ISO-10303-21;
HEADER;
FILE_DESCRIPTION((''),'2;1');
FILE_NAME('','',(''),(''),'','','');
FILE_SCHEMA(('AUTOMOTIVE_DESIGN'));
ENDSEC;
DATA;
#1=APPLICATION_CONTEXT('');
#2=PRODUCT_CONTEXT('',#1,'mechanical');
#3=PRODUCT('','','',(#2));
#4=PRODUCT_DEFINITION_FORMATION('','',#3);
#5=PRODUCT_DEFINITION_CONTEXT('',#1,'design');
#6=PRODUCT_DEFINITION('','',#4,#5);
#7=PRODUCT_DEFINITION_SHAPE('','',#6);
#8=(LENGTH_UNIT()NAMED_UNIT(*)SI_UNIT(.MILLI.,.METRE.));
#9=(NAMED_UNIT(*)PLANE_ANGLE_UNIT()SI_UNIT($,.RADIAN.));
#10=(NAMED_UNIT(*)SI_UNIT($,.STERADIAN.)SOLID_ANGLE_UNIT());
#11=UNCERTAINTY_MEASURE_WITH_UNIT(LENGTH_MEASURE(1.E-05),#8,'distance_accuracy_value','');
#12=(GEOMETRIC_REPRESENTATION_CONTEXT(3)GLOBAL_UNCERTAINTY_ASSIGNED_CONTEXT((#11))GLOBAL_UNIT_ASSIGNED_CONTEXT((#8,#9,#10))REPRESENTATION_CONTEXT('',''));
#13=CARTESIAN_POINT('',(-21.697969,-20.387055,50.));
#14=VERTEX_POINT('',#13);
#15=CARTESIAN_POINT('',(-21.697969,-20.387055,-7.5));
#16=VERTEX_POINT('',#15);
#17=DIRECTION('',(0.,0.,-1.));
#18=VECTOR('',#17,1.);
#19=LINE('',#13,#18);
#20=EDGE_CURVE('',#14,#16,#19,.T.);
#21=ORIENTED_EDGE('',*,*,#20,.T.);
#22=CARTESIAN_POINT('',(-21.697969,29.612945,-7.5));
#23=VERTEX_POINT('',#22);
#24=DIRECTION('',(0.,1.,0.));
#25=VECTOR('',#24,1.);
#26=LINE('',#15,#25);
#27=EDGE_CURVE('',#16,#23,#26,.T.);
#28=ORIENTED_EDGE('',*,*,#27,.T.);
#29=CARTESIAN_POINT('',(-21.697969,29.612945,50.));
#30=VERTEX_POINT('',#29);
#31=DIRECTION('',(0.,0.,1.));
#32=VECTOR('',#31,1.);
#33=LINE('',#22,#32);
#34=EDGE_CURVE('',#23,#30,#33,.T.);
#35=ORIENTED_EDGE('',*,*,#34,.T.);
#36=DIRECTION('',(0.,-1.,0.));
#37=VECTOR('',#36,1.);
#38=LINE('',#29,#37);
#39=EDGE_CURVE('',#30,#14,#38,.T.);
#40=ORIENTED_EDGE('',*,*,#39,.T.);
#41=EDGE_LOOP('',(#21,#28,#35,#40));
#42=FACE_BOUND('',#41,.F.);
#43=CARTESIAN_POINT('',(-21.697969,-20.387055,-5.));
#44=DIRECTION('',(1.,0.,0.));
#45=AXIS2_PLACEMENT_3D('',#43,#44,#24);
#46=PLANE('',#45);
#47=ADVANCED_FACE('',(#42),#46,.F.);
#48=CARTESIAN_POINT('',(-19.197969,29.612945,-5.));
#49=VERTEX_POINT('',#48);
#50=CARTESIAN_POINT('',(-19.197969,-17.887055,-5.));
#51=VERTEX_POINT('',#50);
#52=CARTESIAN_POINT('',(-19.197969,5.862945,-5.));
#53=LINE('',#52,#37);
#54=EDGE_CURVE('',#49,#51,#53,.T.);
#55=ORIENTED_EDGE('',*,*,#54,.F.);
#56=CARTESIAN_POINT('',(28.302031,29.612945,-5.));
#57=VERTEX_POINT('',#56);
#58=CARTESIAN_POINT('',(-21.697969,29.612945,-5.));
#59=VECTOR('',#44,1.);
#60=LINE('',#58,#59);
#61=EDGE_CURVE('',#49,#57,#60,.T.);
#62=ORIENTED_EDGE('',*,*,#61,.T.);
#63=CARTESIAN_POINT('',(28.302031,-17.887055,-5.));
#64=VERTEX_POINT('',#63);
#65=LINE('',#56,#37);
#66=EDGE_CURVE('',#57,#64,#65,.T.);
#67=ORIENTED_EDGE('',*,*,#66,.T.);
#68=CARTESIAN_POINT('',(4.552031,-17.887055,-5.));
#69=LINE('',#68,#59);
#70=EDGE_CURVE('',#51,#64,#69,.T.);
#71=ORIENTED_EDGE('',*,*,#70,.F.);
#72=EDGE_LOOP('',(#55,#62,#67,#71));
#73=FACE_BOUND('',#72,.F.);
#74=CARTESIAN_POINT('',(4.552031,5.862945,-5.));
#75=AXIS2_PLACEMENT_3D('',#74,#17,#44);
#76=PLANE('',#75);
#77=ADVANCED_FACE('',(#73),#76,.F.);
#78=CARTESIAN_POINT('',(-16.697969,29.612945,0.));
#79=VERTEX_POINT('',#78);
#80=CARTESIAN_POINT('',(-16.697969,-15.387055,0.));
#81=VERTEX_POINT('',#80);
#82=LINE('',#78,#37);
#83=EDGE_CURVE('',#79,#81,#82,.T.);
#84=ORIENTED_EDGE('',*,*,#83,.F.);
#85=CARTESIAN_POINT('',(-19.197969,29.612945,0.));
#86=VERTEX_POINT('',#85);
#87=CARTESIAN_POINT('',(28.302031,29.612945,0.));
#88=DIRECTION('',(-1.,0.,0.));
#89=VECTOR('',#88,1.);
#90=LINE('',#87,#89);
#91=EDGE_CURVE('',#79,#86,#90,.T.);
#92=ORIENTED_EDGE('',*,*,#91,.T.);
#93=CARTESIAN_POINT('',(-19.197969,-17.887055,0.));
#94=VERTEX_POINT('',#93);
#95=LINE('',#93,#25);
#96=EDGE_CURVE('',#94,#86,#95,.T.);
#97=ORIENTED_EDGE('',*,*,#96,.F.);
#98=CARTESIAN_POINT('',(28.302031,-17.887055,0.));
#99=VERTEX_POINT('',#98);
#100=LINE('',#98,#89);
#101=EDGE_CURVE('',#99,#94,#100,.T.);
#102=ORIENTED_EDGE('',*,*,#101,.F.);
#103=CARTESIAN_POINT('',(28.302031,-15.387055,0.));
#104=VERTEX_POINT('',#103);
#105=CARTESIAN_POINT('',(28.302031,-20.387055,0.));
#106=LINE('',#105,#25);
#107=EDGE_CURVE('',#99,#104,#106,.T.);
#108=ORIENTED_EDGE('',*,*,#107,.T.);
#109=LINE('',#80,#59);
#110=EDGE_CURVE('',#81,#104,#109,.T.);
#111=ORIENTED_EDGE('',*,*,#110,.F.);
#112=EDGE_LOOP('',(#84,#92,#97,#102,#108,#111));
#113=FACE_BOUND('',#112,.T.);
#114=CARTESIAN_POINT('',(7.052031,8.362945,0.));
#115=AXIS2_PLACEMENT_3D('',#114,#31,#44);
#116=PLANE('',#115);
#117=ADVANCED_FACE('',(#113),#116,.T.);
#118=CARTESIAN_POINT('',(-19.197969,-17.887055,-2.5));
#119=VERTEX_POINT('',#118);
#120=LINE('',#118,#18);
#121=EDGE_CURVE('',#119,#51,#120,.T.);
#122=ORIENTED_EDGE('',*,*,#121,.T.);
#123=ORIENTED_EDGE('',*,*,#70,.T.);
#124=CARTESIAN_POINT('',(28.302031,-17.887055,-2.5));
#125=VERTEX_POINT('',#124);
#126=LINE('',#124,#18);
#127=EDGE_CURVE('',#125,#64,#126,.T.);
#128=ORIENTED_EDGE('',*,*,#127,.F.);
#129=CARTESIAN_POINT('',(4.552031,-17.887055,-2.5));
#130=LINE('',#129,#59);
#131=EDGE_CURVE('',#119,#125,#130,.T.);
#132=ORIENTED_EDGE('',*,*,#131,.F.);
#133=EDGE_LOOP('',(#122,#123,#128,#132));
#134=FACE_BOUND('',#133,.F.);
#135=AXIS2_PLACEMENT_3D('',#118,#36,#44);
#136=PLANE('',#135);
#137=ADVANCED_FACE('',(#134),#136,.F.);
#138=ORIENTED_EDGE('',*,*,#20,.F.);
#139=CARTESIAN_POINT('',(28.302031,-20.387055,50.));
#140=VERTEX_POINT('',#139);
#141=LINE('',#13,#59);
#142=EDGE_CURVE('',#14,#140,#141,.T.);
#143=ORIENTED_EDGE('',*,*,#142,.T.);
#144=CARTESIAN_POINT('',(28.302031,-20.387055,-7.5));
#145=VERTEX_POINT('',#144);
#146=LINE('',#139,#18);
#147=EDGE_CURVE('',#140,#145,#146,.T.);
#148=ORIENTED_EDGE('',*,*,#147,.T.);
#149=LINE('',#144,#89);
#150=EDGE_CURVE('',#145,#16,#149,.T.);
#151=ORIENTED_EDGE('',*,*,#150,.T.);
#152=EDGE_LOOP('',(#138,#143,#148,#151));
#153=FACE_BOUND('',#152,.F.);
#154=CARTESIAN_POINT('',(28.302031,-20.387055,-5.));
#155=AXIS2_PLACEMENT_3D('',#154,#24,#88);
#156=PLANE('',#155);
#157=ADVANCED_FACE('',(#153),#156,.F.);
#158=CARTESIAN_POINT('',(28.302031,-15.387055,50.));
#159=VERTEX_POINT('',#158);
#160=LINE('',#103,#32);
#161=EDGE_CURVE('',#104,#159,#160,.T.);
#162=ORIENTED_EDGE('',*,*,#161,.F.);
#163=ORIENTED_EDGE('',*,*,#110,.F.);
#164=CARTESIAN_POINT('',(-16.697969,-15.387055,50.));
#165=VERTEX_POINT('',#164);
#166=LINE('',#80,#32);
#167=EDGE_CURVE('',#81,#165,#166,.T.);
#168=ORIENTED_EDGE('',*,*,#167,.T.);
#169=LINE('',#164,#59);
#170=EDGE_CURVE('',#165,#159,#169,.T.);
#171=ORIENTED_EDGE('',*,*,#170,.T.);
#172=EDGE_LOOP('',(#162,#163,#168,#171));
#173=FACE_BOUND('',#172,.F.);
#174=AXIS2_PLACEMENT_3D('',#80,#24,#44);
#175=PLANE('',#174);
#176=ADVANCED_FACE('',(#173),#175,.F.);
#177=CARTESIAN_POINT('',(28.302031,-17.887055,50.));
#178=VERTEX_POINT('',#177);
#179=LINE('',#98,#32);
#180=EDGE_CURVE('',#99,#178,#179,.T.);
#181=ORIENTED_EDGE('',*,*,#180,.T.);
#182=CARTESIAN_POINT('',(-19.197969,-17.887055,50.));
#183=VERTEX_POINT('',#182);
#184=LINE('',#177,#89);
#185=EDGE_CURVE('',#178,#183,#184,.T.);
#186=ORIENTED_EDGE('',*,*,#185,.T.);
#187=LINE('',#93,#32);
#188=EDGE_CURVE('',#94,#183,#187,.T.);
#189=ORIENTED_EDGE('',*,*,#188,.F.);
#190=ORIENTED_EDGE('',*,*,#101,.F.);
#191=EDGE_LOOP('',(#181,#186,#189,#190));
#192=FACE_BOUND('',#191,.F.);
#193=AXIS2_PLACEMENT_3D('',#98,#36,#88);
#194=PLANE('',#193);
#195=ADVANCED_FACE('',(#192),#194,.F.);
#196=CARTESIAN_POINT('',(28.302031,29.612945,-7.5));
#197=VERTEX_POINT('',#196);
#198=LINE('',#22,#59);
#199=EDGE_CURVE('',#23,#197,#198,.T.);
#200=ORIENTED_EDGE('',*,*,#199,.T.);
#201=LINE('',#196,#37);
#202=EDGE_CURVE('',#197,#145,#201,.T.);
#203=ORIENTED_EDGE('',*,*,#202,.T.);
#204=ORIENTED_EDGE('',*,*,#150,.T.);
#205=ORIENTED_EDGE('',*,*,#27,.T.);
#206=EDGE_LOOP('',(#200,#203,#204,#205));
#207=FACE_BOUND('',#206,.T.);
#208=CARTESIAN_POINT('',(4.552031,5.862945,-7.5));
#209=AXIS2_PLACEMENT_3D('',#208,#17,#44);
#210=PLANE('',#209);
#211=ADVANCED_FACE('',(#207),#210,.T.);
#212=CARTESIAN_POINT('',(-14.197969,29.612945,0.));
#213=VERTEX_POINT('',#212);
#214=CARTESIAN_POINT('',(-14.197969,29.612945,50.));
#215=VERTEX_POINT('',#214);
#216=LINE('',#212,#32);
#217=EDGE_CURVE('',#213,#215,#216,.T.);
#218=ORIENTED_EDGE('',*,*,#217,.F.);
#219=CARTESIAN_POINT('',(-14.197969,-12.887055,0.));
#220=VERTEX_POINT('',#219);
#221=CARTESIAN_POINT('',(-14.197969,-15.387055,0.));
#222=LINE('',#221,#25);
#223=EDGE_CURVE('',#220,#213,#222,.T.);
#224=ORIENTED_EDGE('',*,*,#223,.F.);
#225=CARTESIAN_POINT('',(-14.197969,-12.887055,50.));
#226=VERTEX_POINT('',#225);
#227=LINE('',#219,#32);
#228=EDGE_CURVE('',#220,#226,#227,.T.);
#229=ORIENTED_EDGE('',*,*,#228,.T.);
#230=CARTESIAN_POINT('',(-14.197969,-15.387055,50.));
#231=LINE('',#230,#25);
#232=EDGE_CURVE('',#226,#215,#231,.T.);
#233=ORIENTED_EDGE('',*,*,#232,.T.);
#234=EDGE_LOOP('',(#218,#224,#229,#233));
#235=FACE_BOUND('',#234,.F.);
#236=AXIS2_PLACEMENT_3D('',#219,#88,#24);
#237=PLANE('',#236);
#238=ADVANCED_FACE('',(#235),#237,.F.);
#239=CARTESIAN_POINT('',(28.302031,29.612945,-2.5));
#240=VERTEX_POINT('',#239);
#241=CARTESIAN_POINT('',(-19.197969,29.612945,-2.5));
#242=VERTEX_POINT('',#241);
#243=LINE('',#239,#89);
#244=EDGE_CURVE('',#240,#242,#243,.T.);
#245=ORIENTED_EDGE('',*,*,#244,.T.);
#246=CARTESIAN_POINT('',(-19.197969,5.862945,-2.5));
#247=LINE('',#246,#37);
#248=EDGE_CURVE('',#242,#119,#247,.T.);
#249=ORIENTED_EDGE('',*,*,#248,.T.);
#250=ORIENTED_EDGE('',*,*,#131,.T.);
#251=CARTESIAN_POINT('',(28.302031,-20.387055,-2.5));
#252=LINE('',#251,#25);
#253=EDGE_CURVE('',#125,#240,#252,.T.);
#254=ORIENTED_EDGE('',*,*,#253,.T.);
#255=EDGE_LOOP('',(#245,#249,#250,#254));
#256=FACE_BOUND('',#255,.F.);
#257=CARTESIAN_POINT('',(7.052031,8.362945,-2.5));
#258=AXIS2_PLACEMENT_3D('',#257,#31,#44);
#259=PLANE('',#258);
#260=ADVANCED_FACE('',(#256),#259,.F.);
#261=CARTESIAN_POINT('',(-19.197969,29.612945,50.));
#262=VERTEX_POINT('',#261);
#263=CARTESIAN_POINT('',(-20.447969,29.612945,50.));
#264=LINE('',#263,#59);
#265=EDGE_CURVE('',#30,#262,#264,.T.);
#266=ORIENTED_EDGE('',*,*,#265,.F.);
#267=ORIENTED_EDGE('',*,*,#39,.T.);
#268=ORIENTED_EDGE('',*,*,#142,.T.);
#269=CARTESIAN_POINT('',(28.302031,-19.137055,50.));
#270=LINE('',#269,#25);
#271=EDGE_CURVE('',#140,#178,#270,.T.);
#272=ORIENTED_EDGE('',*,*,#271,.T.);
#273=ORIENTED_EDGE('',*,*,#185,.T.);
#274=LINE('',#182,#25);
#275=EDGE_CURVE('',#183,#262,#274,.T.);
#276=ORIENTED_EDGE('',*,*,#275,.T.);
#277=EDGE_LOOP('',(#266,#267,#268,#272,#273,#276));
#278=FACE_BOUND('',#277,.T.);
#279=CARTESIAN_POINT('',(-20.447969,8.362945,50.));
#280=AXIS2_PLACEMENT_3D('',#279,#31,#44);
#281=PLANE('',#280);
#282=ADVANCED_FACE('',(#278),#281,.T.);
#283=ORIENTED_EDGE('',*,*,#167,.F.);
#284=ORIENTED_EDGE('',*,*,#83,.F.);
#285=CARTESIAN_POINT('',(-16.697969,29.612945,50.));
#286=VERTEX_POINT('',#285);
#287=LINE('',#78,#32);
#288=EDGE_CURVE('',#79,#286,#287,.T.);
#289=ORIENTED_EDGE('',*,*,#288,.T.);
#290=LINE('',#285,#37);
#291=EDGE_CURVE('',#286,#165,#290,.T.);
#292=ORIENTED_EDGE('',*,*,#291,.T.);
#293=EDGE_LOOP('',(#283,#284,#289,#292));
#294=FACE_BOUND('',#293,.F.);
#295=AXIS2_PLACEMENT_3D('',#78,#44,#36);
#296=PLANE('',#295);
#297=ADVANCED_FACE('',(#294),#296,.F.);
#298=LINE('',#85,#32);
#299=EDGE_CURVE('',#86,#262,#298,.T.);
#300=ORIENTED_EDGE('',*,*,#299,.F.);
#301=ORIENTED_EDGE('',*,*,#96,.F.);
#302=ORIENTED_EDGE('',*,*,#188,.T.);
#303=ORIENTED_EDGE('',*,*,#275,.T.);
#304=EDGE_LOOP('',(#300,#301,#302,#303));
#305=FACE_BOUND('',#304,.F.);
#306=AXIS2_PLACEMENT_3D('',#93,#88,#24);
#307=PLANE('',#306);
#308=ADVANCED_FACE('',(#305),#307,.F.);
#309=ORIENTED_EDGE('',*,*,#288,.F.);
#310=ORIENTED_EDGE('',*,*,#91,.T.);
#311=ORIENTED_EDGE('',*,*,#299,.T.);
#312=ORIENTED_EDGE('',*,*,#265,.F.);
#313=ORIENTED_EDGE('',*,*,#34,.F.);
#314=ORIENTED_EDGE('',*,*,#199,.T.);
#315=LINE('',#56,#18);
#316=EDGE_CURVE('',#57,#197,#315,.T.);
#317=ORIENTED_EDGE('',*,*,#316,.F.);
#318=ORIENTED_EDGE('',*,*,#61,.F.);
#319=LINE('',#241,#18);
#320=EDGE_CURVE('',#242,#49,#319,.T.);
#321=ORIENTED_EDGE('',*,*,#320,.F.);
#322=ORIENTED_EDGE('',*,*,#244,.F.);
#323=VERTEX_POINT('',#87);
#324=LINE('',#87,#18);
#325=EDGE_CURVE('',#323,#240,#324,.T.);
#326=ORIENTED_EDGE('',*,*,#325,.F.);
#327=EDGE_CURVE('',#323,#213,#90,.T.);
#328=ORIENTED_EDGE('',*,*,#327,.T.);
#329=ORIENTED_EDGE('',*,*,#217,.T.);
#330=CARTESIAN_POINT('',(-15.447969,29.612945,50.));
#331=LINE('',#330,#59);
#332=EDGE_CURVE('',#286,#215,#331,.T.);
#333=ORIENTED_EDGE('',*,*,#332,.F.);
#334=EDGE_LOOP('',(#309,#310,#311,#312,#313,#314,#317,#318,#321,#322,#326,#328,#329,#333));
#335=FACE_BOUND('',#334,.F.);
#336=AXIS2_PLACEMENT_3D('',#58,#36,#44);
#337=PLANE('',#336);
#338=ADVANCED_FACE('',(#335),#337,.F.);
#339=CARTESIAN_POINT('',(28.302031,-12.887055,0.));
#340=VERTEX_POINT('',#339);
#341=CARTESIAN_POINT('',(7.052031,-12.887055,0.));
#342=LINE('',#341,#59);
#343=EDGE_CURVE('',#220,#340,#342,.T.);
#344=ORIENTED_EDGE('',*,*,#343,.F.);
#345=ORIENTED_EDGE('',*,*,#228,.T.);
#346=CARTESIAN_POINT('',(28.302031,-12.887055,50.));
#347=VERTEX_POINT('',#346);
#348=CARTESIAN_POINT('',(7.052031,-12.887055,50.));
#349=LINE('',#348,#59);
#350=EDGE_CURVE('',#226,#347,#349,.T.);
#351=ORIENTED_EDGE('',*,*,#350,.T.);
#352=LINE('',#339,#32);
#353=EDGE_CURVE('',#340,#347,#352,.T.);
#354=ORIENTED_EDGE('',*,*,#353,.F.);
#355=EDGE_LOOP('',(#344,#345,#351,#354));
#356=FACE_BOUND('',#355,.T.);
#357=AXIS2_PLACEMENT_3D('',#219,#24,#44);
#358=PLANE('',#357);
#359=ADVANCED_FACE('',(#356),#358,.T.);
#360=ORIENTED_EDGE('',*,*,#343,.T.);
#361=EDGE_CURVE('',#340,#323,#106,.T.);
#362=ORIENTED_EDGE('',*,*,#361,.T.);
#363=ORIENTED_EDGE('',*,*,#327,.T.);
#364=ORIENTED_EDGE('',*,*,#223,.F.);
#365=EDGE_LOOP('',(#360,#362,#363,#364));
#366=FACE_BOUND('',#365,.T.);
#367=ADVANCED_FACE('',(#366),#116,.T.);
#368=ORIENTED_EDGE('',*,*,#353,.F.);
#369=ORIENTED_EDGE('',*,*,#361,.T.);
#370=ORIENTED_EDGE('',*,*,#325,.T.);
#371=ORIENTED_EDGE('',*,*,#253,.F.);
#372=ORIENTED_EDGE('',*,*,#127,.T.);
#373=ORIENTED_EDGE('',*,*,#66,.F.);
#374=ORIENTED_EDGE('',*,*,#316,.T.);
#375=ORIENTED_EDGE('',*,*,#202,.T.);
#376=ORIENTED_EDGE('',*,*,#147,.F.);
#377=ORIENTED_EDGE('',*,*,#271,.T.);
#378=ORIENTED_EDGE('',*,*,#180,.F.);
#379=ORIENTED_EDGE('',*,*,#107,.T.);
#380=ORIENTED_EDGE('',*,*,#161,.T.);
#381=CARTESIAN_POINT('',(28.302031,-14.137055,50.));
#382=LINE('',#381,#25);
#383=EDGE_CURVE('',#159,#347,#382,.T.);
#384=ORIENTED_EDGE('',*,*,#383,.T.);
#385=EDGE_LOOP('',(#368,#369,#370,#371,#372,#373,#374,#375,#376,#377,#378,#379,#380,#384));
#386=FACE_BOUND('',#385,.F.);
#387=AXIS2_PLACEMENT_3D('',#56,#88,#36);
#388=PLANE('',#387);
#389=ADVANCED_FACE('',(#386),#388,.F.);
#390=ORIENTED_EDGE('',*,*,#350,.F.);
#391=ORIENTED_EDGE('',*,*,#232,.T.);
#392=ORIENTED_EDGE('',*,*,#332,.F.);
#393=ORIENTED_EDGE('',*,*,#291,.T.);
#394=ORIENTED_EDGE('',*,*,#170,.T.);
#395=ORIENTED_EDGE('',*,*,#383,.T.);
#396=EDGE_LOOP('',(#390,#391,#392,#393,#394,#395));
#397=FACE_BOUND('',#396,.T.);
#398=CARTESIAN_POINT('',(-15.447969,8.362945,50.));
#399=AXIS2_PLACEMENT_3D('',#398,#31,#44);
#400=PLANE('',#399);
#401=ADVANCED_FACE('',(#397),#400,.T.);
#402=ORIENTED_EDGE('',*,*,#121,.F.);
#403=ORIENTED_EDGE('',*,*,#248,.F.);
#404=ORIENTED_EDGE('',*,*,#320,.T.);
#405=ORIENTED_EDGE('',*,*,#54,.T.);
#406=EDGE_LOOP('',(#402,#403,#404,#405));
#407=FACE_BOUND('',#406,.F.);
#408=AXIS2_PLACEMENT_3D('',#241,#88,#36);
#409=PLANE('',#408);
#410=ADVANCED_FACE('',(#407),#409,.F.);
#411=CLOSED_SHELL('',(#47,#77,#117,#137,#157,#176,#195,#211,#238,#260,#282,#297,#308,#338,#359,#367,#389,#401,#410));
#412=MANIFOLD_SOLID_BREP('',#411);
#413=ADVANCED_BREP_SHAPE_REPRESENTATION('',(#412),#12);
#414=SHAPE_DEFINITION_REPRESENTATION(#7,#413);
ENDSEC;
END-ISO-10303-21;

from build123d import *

# Parameters (mm, degrees)
F0_W     = 42.5
F0_H     = 42.5
F0_W_2   = 2.5
F0_H_2   = 2.5
F1_DEPTH = 2.5
F2_DEPTH = 50
F3_W     = 2.5
F3_H     = 47.5
F3_W_2   = 47.5
F3_H_2   = 2.5
F4_DEPTH = 2.5
F5_W     = 47.5
F5_H     = 47.5
F6_DEPTH = 2.5


with BuildPart() as f1:
    # F0 (on Top) → F1 (new body)
    with BuildSketch(Plane.XY):
        with Locations((7.0520306379, 8.3629446477)):
            Rectangle(F0_W, F0_H)
        with Locations((-15.4479693621, 8.3629446477)):
            Rectangle(F0_W_2, F0_H)
        with Locations((-17.9479693621, 8.3629446477)):
            Rectangle(F0_W_2, F0_H)
        with Locations((-20.4479693621, 8.3629446477)):
            Rectangle(F0_W_2, F0_H)
        with Locations((7.0520306379, -14.1370553523)):
            Rectangle(F0_W, F0_H_2)
        with Locations((7.0520306379, -16.6370553523)):
            Rectangle(F0_W, F0_H_2)
        with Locations((7.0520306379, -19.1370553523)):
            Rectangle(F0_W, F0_H_2)
        with Locations((-15.4479693621, -19.1370553523)):
            Rectangle(F0_W_2, F0_H_2)
        with Locations((-17.9479693621, -19.1370553523)):
            Rectangle(F0_W_2, F0_H_2)
        with Locations((-20.4479693621, -19.1370553523)):
            Rectangle(F0_W_2, F0_H_2)
        with Locations((-20.4479693621, -16.6370553523)):
            Rectangle(F0_W_2, F0_H_2)
        with Locations((-17.9479693621, -16.6370553523)):
            Rectangle(F0_W_2, F0_H_2)
        with Locations((-15.4479693621, -16.6370553523)):
            Rectangle(F0_W_2, F0_H_2)
        with Locations((-15.4479693621, -14.1370553523)):
            Rectangle(F0_W_2, F0_H_2)
        with Locations((-17.9479693621, -14.1370553523)):
            Rectangle(F0_W_2, F0_H_2)
        with Locations((-20.4479693621, -14.1370553523)):
            Rectangle(F0_W_2, F0_H_2)
    extrude(amount=-F1_DEPTH)

    # F0 (on Top) → F2 (join)
    with BuildSketch(Plane.XY):
        with Locations((-20.4479693621, 8.3629446477)):
            Rectangle(F0_W_2, F0_H)
        with Locations((-20.4479693621, -14.1370553523)):
            Rectangle(F0_W_2, F0_H_2)
        with Locations((-15.4479693621, 8.3629446477)):
            Rectangle(F0_W_2, F0_H)
        with Locations((-15.4479693621, -14.1370553523)):
            Rectangle(F0_W_2, F0_H_2)
        with Locations((-15.4479693621, -19.1370553523)):
            Rectangle(F0_W_2, F0_H_2)
        with Locations((7.0520306379, -14.1370553523)):
            Rectangle(F0_W, F0_H_2)
        with Locations((-17.9479693621, -19.1370553523)):
            Rectangle(F0_W_2, F0_H_2)
        with Locations((-20.4479693621, -19.1370553523)):
            Rectangle(F0_W_2, F0_H_2)
        with Locations((7.0520306379, -19.1370553523)):
            Rectangle(F0_W, F0_H_2)
        with Locations((-20.4479693621, -16.6370553523)):
            Rectangle(F0_W_2, F0_H_2)
    extrude(amount=F2_DEPTH)

    # F3 (on face) → F4 (join)
    with BuildSketch(Plane(origin=(0, 0, -2.5), x_dir=(1, 0, 0), z_dir=(0, 0, -1))):
        with Locations((-20.4479693621, -5.8629446477)):
            Rectangle(F3_W, F3_H)
        with Locations((4.5520306379, 19.1370553523)):
            Rectangle(F3_W_2, F3_H_2)
        with Locations((-20.4479693621, 19.1370553523)):
            Rectangle(F3_W, F3_H_2)
    extrude(amount=F4_DEPTH)

    # F5 (on face) → F6 (join)
    with BuildSketch(Plane(origin=(0, 0, -5), x_dir=(1, 0, 0), z_dir=(0, 0, -1))):
        with Locations((4.5520306379, -5.8629446477)):
            Rectangle(F5_W, F5_H)
        Polygon((28.3020306379, 20.3870553523), (-21.6979693621, 20.3870553523), (-21.6979693621, -29.6129446477), (-19.1979693621, -29.6129446477), (-19.1979693621, 17.8870553523), (28.3020306379, 17.8870553523), align=None)
    extrude(amount=F6_DEPTH)


solid = f1.part
